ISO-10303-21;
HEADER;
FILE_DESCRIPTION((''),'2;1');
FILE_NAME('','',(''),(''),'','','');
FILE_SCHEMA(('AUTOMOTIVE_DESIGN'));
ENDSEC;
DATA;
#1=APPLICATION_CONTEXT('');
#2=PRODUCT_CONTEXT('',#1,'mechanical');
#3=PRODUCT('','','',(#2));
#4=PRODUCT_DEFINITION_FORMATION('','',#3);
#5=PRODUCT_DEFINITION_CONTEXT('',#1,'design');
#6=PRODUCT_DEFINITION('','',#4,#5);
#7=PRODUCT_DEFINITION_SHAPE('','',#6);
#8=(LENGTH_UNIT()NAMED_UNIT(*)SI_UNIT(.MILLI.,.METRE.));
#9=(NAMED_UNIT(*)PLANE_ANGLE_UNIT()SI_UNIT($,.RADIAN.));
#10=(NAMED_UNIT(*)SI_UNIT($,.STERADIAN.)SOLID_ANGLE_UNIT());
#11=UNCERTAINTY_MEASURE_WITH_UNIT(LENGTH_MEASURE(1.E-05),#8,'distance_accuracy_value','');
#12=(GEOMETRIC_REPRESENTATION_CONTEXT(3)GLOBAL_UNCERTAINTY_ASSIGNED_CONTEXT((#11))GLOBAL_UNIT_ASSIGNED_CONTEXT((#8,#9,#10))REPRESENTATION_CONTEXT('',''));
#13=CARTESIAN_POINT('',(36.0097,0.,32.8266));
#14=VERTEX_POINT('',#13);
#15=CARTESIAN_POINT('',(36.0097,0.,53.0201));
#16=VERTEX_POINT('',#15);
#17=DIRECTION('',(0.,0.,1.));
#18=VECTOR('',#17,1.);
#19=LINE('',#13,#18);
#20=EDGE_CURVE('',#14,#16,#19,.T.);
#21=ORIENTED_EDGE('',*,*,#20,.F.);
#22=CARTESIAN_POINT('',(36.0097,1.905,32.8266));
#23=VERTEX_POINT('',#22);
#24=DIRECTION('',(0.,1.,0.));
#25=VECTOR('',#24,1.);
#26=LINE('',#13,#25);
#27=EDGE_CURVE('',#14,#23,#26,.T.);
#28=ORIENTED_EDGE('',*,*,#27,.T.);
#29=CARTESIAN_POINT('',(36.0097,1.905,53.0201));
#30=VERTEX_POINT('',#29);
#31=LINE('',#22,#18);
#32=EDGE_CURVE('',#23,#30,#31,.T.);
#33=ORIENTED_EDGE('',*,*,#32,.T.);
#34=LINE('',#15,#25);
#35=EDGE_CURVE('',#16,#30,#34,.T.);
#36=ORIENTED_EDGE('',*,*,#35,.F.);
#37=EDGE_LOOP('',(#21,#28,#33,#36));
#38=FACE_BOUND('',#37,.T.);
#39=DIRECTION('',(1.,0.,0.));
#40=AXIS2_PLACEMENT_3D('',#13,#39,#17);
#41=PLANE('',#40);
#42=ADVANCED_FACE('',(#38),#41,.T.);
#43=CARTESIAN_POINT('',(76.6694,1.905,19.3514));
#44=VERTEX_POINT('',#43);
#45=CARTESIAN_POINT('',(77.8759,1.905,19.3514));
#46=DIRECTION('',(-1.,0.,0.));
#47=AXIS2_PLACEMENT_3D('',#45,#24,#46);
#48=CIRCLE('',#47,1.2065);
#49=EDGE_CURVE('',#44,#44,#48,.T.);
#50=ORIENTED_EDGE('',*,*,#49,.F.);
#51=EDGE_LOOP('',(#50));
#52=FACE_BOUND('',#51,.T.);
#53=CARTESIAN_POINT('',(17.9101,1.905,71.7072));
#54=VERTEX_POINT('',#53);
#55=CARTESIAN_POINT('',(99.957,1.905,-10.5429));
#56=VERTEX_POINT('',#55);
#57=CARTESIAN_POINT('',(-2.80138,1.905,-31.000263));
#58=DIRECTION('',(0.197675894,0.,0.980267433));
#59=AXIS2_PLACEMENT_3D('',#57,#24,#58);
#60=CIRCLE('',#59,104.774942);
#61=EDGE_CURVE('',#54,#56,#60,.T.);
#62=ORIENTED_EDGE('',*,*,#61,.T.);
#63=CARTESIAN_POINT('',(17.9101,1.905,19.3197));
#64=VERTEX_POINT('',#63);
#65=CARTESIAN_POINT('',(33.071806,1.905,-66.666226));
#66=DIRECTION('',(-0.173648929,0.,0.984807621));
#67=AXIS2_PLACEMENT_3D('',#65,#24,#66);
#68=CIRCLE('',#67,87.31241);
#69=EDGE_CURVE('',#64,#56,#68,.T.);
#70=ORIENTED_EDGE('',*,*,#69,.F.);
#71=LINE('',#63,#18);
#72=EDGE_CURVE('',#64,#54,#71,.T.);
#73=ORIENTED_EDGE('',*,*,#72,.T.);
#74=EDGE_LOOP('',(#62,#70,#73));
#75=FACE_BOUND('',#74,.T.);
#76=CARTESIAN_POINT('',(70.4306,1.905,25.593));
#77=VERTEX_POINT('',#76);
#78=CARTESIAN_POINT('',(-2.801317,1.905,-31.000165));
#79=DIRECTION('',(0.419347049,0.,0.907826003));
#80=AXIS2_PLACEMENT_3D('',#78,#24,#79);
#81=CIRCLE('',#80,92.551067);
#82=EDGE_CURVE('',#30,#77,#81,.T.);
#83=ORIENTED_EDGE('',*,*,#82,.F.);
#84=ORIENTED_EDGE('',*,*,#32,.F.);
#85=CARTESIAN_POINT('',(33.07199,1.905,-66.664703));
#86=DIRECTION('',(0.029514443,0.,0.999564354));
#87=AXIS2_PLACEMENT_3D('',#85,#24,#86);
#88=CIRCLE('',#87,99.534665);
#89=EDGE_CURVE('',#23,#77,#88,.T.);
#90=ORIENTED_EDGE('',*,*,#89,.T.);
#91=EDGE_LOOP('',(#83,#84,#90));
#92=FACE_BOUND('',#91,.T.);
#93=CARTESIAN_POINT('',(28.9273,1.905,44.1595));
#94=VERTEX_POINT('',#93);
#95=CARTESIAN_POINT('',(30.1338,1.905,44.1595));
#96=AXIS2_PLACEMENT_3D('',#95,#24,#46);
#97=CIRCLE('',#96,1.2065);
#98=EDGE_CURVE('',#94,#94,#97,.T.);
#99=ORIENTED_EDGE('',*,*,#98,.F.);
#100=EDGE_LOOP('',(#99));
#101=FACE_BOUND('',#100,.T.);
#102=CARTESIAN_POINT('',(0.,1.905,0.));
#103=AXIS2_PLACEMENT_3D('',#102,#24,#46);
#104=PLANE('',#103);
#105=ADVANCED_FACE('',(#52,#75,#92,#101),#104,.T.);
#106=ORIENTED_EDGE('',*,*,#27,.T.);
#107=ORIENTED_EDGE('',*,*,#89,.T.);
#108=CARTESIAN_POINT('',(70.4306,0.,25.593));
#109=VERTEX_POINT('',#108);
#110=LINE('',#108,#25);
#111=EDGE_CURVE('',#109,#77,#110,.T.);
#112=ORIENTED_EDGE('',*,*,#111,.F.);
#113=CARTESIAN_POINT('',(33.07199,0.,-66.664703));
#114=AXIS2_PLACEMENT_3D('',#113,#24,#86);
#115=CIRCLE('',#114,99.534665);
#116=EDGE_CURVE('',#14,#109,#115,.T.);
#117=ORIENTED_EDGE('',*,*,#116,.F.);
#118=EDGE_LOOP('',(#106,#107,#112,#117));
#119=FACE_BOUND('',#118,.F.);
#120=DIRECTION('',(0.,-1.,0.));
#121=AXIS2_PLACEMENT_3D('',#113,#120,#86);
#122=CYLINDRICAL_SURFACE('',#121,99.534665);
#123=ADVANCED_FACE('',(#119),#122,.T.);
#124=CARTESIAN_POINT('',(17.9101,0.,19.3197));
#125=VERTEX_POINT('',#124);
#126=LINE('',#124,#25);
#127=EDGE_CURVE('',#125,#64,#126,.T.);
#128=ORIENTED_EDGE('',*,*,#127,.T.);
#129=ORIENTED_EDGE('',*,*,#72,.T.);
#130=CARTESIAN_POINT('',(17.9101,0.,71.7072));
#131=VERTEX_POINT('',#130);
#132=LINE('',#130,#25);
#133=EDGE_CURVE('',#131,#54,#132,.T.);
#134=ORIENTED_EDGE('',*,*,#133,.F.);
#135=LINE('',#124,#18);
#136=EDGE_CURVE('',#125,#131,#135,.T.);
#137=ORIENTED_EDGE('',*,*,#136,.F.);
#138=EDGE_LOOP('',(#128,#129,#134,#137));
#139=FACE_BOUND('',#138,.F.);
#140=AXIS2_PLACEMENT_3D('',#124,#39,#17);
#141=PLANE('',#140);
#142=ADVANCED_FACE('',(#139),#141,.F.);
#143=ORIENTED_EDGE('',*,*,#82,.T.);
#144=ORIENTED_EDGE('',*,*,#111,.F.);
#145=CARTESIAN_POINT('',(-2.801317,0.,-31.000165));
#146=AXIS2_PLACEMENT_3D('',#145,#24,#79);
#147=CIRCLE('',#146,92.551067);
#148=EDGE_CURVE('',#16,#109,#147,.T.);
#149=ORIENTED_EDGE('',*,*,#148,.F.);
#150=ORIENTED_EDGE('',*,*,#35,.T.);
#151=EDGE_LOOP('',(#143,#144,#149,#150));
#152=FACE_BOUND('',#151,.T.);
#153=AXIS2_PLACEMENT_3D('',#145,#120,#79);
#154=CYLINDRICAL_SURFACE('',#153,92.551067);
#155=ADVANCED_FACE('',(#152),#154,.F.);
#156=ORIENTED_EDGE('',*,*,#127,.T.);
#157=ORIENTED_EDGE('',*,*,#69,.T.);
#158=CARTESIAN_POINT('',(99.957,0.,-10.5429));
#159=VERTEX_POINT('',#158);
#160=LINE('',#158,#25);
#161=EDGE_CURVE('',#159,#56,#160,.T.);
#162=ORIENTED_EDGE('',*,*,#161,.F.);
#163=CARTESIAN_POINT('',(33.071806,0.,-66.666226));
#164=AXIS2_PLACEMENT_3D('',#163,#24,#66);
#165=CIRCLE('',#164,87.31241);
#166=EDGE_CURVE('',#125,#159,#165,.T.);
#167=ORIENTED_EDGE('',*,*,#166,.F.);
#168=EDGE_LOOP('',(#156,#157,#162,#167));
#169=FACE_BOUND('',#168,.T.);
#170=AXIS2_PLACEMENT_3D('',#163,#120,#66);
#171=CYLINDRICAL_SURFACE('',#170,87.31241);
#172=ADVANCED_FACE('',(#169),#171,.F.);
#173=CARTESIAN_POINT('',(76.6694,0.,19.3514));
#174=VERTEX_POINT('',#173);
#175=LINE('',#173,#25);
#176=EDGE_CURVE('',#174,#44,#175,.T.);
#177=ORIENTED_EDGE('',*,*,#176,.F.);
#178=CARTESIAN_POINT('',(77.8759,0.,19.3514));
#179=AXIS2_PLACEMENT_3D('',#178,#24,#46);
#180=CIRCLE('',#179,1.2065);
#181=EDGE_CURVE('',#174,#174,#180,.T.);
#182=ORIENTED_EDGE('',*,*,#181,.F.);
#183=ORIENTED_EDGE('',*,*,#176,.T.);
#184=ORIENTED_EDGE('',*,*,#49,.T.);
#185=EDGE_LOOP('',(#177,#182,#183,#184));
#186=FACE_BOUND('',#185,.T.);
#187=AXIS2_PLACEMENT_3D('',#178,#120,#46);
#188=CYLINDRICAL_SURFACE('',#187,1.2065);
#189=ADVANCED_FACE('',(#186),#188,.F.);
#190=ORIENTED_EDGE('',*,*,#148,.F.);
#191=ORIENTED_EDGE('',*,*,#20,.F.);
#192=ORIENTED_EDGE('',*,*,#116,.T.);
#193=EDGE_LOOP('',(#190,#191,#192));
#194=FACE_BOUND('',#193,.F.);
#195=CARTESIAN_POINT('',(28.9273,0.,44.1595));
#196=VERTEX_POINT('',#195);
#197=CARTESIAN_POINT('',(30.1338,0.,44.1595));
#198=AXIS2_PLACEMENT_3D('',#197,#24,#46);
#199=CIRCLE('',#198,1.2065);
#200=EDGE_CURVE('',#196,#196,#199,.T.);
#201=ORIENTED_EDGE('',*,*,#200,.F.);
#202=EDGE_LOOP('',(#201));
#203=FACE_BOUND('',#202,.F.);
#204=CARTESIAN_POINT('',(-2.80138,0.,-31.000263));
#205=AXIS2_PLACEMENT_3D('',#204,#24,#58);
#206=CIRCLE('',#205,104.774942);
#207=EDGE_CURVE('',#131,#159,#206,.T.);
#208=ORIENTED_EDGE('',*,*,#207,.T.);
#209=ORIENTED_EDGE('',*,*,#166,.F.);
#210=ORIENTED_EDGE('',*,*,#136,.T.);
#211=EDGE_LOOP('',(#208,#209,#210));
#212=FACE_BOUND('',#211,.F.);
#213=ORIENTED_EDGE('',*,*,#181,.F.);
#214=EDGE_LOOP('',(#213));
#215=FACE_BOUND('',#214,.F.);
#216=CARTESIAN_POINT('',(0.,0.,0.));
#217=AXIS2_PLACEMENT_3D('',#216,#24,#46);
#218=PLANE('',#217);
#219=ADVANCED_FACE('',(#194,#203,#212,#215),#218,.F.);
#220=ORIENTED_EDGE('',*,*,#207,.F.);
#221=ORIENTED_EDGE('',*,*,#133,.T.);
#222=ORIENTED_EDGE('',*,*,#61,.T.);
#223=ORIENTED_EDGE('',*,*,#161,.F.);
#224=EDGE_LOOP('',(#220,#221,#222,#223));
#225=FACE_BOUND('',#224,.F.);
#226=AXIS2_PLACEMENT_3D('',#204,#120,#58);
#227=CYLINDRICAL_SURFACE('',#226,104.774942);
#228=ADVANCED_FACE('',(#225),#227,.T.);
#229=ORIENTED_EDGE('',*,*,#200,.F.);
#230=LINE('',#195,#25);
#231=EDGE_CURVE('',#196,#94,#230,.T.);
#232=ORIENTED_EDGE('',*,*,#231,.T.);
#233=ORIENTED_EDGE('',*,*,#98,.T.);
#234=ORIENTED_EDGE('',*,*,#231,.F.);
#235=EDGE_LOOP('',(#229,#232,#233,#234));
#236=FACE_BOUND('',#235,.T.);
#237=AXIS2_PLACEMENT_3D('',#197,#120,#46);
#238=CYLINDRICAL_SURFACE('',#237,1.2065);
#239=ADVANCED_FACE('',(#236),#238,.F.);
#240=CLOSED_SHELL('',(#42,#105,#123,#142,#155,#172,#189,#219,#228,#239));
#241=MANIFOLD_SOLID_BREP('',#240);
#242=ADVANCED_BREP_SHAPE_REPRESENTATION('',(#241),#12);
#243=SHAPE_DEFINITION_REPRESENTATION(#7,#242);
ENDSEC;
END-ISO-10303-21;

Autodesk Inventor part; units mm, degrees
ref_plane "YZ Plane" through (0, 0, 0) normal (1, 0, 0) x (0, 1, 0)
ref_plane "XZ Plane" through (0, 0, 0) normal (0, 1, 0) x (-1, 0, 0)
ref_plane "XY Plane" through (0, 0, 0) normal (0, 0, 1) x (1, 0, 0)
sketch "Sketch12" plane through (0, 0, 0) normal (0, 1, 0) x (-1, 0, 0)
  arc A0 (-17.9101, 19.3197) -> (-99.957, -10.5429) centre (-33.0718, -66.6663) ccw
  arc A1 (-36.0097, 32.8266) -> (-70.4306, 25.593) centre (-33.0718, -66.6663) ccw
  circle A2 centre (-30.1338, 44.1595) radius 1.016
  line L0 (-36.0097, 32.8266) -> (-36.0097, 53.0201)
  arc A3 (-36.0097, 53.0201) -> (-70.4306, 25.593) centre (2.8014, -31.0003) ccw
  line L1 (-17.9101, 19.3197) -> (-17.9101, 71.7072)
  arc A4 (-17.9101, 71.7072) -> (-99.957, -10.5429) centre (2.8014, -31.0003) ccw
  circle A5 centre (-30.1338, 44.1595) radius 1.2065
  circle A6 centre (-77.8759, 19.3514) radius 1.2065
extrude "Extrusion13" add sketch "Sketch12" along normal blind 1.905 contours A0 A4 L1
properties part number "landing-gear-claws" material "ABS Plastic"
